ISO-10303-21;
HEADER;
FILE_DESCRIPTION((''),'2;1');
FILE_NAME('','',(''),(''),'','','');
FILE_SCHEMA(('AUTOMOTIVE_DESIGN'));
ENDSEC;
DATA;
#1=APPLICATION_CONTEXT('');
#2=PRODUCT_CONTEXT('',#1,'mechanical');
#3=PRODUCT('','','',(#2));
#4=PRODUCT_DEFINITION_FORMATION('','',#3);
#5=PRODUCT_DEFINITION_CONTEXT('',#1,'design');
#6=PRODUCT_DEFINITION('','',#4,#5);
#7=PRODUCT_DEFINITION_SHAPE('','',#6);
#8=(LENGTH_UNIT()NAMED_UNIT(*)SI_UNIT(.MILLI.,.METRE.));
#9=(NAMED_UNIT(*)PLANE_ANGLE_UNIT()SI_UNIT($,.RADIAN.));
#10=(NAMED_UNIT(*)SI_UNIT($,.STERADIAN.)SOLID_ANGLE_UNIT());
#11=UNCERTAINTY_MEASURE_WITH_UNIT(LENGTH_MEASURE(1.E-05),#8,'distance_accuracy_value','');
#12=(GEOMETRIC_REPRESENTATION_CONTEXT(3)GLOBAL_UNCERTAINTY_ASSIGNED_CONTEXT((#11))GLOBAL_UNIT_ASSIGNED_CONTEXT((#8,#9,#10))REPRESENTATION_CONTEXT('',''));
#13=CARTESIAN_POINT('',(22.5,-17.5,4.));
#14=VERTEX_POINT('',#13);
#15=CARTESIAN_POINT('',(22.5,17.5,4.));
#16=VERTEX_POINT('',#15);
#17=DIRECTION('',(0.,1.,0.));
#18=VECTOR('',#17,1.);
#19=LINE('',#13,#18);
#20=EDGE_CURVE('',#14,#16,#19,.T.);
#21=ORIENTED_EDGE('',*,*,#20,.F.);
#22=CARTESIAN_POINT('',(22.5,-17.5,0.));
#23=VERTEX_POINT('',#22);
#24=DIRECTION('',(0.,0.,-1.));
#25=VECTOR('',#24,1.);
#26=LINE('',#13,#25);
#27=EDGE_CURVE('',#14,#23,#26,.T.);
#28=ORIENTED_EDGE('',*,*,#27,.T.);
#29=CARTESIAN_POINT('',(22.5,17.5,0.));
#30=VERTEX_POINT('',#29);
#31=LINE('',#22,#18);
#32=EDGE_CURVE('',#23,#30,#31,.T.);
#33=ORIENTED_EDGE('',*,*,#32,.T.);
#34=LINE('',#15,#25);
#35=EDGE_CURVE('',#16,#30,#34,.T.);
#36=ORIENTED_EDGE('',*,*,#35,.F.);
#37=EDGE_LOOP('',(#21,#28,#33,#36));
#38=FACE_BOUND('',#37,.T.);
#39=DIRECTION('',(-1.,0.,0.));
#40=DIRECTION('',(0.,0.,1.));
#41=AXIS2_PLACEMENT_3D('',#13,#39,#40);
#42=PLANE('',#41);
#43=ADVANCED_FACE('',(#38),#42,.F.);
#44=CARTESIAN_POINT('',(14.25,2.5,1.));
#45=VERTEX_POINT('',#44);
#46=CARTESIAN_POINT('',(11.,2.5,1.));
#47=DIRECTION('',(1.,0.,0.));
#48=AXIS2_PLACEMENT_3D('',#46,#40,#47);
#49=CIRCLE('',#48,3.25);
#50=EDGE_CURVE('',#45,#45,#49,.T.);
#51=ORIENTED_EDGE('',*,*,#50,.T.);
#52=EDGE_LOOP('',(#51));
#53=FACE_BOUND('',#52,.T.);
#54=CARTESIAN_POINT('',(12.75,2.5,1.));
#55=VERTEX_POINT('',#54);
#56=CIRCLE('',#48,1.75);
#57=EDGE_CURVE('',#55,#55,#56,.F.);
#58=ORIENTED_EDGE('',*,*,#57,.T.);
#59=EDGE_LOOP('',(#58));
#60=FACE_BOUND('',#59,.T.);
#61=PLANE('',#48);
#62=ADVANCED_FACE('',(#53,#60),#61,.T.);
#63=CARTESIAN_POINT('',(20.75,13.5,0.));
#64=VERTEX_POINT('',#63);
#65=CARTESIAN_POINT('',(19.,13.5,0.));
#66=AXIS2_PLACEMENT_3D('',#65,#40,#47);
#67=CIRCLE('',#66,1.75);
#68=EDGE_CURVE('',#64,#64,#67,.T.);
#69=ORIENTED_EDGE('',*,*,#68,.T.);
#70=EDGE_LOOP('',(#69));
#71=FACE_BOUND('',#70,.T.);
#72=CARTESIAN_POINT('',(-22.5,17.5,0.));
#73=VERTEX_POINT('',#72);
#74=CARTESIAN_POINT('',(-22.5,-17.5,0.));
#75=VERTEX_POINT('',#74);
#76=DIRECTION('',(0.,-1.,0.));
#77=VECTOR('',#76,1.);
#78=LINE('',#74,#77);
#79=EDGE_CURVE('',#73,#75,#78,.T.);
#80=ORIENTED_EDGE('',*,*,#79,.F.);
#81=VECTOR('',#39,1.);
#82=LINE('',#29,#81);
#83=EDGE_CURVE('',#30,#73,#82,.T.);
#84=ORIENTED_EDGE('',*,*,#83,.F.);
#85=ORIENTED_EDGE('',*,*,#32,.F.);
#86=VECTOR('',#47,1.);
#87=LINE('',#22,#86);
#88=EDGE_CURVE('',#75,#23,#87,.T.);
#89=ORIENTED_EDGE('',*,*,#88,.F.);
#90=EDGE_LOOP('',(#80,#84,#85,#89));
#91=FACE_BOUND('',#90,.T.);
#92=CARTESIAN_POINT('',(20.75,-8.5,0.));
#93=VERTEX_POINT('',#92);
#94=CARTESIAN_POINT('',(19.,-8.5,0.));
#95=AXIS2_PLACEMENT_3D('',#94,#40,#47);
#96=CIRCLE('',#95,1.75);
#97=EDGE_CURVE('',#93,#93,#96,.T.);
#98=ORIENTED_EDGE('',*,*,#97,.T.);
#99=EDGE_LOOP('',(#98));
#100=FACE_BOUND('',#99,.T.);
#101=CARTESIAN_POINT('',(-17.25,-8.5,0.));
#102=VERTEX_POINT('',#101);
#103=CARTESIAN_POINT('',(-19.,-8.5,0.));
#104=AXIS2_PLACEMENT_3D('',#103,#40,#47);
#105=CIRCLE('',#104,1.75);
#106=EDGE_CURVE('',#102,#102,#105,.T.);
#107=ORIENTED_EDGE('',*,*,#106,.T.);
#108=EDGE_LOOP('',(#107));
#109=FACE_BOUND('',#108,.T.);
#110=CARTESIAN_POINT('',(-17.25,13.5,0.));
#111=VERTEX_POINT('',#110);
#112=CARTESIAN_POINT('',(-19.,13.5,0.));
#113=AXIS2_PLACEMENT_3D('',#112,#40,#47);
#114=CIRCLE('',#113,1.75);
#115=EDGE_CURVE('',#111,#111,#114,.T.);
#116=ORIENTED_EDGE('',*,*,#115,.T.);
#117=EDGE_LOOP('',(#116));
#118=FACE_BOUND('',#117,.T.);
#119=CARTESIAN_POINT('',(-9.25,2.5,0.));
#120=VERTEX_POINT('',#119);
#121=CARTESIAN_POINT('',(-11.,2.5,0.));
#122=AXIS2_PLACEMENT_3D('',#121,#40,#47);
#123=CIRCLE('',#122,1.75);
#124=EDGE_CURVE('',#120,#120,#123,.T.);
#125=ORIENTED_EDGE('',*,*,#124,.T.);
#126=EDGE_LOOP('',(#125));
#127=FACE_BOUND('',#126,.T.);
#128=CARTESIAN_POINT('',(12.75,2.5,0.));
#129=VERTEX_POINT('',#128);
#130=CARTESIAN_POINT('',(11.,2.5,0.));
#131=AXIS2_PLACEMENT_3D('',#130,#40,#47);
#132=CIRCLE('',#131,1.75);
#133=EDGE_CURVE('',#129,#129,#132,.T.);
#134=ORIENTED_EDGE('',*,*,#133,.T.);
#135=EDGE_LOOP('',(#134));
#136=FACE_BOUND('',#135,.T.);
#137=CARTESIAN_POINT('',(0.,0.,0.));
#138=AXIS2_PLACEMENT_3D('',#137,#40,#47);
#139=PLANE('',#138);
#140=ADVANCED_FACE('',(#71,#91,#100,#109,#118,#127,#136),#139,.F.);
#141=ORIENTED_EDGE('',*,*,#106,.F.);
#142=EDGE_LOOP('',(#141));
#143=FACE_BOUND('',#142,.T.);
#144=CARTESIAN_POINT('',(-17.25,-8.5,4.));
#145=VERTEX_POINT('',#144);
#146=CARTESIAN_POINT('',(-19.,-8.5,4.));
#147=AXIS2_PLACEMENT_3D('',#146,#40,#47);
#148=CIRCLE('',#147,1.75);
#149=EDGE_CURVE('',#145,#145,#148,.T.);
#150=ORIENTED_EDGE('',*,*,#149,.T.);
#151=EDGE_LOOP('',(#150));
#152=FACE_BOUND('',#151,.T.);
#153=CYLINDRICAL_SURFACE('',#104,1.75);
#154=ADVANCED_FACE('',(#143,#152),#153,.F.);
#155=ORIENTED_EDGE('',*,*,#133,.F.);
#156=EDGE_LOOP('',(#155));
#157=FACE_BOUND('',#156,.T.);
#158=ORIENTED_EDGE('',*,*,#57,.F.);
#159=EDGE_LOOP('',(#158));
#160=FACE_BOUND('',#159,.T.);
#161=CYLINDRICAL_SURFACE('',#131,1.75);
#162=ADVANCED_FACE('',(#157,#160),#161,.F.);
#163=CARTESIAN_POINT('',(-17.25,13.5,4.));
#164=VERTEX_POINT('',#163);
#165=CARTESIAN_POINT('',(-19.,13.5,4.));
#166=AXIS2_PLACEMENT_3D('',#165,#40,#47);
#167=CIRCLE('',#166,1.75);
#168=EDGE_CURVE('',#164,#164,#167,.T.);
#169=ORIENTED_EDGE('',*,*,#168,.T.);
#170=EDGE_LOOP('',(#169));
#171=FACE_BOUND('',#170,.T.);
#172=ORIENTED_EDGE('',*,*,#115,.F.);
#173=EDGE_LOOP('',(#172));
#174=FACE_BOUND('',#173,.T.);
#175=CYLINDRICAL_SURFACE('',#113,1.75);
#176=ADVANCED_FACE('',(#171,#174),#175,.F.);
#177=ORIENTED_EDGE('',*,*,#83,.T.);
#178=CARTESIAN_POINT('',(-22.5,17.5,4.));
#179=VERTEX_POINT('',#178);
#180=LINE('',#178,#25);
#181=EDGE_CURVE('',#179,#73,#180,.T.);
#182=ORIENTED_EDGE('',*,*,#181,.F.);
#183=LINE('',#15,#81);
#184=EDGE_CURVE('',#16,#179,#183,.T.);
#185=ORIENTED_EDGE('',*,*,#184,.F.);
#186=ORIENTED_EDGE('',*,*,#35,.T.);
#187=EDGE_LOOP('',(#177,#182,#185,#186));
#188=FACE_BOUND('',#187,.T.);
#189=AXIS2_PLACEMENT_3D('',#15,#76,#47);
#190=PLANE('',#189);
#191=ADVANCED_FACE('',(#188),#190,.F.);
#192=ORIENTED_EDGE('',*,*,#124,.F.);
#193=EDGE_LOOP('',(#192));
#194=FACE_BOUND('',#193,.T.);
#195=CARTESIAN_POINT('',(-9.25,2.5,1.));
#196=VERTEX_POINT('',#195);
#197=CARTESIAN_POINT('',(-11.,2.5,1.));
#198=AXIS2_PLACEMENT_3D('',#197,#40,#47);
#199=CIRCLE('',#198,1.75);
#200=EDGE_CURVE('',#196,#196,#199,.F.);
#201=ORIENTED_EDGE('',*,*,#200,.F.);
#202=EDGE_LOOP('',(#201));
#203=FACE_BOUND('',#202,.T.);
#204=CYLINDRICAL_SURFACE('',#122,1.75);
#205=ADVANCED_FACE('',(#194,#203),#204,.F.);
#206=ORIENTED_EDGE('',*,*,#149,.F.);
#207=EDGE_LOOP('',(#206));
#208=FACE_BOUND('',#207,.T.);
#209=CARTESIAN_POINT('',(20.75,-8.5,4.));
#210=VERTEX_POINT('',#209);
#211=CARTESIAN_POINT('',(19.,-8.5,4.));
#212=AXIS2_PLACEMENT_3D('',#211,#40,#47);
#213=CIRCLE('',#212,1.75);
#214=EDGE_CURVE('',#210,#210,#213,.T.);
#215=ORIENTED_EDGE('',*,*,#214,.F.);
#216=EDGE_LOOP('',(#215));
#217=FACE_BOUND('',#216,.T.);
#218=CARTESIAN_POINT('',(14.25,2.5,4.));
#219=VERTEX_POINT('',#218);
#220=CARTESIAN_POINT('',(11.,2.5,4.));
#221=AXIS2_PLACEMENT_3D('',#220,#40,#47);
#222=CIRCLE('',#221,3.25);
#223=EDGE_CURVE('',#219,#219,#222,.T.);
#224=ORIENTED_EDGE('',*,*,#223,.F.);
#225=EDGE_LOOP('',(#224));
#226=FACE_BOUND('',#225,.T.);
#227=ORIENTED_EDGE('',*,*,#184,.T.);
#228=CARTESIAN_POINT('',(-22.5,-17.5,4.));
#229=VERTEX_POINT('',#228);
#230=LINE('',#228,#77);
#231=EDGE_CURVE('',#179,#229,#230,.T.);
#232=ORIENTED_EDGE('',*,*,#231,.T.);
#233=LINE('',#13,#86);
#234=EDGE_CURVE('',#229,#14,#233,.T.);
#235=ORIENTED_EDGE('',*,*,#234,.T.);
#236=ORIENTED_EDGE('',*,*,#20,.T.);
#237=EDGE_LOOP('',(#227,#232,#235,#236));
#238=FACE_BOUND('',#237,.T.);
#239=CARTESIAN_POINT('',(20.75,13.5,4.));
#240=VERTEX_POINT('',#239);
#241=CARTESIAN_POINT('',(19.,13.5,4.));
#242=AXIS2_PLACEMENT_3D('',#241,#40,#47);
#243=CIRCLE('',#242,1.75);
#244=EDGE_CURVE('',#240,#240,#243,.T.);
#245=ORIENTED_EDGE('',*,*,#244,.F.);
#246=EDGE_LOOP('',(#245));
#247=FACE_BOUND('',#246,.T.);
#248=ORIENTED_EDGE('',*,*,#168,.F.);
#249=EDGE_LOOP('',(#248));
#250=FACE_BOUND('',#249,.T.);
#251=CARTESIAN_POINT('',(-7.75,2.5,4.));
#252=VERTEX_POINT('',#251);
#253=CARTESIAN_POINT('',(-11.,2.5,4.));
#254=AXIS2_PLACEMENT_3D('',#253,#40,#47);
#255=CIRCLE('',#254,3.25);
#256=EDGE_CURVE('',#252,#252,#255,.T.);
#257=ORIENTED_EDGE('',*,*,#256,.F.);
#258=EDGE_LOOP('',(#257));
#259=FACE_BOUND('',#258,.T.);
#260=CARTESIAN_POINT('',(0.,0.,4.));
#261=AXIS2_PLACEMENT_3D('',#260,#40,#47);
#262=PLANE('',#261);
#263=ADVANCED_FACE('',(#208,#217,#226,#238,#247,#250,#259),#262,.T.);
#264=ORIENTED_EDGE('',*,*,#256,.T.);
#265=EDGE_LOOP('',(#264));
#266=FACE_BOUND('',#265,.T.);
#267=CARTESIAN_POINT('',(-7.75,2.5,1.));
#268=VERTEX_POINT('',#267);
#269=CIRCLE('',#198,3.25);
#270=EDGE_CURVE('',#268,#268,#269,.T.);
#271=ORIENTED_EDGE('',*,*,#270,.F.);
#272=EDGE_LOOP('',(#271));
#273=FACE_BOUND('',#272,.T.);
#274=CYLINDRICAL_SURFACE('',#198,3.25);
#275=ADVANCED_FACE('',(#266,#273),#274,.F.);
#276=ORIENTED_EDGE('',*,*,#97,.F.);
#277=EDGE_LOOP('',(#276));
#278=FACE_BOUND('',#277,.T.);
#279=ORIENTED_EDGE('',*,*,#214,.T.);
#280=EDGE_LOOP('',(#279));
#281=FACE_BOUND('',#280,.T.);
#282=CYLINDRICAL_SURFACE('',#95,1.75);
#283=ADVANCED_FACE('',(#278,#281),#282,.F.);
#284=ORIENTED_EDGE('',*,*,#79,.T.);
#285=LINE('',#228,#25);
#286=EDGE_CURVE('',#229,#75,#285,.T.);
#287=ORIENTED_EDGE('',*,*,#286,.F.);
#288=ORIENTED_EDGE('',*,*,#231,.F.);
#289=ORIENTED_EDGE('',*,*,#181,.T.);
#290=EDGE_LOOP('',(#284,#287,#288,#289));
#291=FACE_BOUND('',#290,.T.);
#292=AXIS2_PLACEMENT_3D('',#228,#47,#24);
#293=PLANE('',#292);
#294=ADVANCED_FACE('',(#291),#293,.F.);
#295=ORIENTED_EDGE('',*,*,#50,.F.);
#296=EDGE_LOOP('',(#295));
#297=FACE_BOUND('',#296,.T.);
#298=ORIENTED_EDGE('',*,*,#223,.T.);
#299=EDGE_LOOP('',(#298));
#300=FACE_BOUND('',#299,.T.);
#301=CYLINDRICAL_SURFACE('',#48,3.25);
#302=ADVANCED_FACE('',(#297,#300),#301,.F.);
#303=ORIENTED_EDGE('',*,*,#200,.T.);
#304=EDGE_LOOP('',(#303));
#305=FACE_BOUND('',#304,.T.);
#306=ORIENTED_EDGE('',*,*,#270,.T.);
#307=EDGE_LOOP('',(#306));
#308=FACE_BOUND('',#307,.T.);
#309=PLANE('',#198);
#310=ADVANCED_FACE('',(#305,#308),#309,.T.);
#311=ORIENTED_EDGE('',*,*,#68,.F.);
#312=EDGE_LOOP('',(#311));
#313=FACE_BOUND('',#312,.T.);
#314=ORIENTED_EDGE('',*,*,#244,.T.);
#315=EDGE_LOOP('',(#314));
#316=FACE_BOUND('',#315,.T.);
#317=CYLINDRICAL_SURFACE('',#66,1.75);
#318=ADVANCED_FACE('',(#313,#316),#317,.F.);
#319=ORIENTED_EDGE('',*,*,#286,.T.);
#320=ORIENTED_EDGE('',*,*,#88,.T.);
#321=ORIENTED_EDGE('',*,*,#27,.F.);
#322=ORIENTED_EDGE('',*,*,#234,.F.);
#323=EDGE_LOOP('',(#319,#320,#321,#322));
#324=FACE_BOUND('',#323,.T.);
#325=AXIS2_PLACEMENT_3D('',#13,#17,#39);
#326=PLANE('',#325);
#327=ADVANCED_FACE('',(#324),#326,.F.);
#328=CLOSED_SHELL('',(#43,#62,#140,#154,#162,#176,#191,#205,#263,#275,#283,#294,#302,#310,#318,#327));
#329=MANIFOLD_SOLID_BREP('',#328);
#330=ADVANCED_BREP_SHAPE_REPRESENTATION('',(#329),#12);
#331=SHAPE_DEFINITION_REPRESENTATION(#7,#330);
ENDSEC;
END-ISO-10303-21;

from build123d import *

# Parameters (mm, degrees)
SKETCH_1_W          = 45
SKETCH_1_H          = 35
EXTRUDE_1_DEPTH     = 4
SKETCH_2_R          = 1.75
CUT_EXTRUDE_1_DEPTH = 5
SKETCH_3_R          = 3.25
CUT_EXTRUDE_2_DEPTH = 3


with BuildPart() as part:
    # ｽｹｯﾁ1 → ﾎﾞｽ - 押し出し1 (new body)
    with BuildSketch(Plane.XY):
        Rectangle(SKETCH_1_W, SKETCH_1_H)
    extrude(amount=EXTRUDE_1_DEPTH)

    # ｽｹｯﾁ2 → ｶｯﾄ - 押し出し1 (cut, through all)
    with BuildSketch(Plane.XY.offset(4)):
        with Locations((-19, 13.5)):
            Circle(SKETCH_2_R)
        with Locations((-19, -8.5)):
            Circle(SKETCH_2_R)
        with Locations((19, 13.5)):
            Circle(SKETCH_2_R)
        with Locations((19, -8.5)):
            Circle(SKETCH_2_R)
        with Locations((-11, 2.5)):
            Circle(SKETCH_2_R)
        with Locations((11, 2.5)):
            Circle(SKETCH_2_R)
    extrude(amount=-CUT_EXTRUDE_1_DEPTH, mode=Mode.SUBTRACT)

    # ｽｹｯﾁ3 → ｶｯﾄ - 押し出し2 (cut)
    with BuildSketch(Plane.XY.offset(4)):
        with Locations((-11, 2.5)):
            Circle(SKETCH_3_R)
        with Locations((11, 2.5)):
            Circle(SKETCH_3_R)
    extrude(amount=-CUT_EXTRUDE_2_DEPTH, mode=Mode.SUBTRACT)


solid = part.part
